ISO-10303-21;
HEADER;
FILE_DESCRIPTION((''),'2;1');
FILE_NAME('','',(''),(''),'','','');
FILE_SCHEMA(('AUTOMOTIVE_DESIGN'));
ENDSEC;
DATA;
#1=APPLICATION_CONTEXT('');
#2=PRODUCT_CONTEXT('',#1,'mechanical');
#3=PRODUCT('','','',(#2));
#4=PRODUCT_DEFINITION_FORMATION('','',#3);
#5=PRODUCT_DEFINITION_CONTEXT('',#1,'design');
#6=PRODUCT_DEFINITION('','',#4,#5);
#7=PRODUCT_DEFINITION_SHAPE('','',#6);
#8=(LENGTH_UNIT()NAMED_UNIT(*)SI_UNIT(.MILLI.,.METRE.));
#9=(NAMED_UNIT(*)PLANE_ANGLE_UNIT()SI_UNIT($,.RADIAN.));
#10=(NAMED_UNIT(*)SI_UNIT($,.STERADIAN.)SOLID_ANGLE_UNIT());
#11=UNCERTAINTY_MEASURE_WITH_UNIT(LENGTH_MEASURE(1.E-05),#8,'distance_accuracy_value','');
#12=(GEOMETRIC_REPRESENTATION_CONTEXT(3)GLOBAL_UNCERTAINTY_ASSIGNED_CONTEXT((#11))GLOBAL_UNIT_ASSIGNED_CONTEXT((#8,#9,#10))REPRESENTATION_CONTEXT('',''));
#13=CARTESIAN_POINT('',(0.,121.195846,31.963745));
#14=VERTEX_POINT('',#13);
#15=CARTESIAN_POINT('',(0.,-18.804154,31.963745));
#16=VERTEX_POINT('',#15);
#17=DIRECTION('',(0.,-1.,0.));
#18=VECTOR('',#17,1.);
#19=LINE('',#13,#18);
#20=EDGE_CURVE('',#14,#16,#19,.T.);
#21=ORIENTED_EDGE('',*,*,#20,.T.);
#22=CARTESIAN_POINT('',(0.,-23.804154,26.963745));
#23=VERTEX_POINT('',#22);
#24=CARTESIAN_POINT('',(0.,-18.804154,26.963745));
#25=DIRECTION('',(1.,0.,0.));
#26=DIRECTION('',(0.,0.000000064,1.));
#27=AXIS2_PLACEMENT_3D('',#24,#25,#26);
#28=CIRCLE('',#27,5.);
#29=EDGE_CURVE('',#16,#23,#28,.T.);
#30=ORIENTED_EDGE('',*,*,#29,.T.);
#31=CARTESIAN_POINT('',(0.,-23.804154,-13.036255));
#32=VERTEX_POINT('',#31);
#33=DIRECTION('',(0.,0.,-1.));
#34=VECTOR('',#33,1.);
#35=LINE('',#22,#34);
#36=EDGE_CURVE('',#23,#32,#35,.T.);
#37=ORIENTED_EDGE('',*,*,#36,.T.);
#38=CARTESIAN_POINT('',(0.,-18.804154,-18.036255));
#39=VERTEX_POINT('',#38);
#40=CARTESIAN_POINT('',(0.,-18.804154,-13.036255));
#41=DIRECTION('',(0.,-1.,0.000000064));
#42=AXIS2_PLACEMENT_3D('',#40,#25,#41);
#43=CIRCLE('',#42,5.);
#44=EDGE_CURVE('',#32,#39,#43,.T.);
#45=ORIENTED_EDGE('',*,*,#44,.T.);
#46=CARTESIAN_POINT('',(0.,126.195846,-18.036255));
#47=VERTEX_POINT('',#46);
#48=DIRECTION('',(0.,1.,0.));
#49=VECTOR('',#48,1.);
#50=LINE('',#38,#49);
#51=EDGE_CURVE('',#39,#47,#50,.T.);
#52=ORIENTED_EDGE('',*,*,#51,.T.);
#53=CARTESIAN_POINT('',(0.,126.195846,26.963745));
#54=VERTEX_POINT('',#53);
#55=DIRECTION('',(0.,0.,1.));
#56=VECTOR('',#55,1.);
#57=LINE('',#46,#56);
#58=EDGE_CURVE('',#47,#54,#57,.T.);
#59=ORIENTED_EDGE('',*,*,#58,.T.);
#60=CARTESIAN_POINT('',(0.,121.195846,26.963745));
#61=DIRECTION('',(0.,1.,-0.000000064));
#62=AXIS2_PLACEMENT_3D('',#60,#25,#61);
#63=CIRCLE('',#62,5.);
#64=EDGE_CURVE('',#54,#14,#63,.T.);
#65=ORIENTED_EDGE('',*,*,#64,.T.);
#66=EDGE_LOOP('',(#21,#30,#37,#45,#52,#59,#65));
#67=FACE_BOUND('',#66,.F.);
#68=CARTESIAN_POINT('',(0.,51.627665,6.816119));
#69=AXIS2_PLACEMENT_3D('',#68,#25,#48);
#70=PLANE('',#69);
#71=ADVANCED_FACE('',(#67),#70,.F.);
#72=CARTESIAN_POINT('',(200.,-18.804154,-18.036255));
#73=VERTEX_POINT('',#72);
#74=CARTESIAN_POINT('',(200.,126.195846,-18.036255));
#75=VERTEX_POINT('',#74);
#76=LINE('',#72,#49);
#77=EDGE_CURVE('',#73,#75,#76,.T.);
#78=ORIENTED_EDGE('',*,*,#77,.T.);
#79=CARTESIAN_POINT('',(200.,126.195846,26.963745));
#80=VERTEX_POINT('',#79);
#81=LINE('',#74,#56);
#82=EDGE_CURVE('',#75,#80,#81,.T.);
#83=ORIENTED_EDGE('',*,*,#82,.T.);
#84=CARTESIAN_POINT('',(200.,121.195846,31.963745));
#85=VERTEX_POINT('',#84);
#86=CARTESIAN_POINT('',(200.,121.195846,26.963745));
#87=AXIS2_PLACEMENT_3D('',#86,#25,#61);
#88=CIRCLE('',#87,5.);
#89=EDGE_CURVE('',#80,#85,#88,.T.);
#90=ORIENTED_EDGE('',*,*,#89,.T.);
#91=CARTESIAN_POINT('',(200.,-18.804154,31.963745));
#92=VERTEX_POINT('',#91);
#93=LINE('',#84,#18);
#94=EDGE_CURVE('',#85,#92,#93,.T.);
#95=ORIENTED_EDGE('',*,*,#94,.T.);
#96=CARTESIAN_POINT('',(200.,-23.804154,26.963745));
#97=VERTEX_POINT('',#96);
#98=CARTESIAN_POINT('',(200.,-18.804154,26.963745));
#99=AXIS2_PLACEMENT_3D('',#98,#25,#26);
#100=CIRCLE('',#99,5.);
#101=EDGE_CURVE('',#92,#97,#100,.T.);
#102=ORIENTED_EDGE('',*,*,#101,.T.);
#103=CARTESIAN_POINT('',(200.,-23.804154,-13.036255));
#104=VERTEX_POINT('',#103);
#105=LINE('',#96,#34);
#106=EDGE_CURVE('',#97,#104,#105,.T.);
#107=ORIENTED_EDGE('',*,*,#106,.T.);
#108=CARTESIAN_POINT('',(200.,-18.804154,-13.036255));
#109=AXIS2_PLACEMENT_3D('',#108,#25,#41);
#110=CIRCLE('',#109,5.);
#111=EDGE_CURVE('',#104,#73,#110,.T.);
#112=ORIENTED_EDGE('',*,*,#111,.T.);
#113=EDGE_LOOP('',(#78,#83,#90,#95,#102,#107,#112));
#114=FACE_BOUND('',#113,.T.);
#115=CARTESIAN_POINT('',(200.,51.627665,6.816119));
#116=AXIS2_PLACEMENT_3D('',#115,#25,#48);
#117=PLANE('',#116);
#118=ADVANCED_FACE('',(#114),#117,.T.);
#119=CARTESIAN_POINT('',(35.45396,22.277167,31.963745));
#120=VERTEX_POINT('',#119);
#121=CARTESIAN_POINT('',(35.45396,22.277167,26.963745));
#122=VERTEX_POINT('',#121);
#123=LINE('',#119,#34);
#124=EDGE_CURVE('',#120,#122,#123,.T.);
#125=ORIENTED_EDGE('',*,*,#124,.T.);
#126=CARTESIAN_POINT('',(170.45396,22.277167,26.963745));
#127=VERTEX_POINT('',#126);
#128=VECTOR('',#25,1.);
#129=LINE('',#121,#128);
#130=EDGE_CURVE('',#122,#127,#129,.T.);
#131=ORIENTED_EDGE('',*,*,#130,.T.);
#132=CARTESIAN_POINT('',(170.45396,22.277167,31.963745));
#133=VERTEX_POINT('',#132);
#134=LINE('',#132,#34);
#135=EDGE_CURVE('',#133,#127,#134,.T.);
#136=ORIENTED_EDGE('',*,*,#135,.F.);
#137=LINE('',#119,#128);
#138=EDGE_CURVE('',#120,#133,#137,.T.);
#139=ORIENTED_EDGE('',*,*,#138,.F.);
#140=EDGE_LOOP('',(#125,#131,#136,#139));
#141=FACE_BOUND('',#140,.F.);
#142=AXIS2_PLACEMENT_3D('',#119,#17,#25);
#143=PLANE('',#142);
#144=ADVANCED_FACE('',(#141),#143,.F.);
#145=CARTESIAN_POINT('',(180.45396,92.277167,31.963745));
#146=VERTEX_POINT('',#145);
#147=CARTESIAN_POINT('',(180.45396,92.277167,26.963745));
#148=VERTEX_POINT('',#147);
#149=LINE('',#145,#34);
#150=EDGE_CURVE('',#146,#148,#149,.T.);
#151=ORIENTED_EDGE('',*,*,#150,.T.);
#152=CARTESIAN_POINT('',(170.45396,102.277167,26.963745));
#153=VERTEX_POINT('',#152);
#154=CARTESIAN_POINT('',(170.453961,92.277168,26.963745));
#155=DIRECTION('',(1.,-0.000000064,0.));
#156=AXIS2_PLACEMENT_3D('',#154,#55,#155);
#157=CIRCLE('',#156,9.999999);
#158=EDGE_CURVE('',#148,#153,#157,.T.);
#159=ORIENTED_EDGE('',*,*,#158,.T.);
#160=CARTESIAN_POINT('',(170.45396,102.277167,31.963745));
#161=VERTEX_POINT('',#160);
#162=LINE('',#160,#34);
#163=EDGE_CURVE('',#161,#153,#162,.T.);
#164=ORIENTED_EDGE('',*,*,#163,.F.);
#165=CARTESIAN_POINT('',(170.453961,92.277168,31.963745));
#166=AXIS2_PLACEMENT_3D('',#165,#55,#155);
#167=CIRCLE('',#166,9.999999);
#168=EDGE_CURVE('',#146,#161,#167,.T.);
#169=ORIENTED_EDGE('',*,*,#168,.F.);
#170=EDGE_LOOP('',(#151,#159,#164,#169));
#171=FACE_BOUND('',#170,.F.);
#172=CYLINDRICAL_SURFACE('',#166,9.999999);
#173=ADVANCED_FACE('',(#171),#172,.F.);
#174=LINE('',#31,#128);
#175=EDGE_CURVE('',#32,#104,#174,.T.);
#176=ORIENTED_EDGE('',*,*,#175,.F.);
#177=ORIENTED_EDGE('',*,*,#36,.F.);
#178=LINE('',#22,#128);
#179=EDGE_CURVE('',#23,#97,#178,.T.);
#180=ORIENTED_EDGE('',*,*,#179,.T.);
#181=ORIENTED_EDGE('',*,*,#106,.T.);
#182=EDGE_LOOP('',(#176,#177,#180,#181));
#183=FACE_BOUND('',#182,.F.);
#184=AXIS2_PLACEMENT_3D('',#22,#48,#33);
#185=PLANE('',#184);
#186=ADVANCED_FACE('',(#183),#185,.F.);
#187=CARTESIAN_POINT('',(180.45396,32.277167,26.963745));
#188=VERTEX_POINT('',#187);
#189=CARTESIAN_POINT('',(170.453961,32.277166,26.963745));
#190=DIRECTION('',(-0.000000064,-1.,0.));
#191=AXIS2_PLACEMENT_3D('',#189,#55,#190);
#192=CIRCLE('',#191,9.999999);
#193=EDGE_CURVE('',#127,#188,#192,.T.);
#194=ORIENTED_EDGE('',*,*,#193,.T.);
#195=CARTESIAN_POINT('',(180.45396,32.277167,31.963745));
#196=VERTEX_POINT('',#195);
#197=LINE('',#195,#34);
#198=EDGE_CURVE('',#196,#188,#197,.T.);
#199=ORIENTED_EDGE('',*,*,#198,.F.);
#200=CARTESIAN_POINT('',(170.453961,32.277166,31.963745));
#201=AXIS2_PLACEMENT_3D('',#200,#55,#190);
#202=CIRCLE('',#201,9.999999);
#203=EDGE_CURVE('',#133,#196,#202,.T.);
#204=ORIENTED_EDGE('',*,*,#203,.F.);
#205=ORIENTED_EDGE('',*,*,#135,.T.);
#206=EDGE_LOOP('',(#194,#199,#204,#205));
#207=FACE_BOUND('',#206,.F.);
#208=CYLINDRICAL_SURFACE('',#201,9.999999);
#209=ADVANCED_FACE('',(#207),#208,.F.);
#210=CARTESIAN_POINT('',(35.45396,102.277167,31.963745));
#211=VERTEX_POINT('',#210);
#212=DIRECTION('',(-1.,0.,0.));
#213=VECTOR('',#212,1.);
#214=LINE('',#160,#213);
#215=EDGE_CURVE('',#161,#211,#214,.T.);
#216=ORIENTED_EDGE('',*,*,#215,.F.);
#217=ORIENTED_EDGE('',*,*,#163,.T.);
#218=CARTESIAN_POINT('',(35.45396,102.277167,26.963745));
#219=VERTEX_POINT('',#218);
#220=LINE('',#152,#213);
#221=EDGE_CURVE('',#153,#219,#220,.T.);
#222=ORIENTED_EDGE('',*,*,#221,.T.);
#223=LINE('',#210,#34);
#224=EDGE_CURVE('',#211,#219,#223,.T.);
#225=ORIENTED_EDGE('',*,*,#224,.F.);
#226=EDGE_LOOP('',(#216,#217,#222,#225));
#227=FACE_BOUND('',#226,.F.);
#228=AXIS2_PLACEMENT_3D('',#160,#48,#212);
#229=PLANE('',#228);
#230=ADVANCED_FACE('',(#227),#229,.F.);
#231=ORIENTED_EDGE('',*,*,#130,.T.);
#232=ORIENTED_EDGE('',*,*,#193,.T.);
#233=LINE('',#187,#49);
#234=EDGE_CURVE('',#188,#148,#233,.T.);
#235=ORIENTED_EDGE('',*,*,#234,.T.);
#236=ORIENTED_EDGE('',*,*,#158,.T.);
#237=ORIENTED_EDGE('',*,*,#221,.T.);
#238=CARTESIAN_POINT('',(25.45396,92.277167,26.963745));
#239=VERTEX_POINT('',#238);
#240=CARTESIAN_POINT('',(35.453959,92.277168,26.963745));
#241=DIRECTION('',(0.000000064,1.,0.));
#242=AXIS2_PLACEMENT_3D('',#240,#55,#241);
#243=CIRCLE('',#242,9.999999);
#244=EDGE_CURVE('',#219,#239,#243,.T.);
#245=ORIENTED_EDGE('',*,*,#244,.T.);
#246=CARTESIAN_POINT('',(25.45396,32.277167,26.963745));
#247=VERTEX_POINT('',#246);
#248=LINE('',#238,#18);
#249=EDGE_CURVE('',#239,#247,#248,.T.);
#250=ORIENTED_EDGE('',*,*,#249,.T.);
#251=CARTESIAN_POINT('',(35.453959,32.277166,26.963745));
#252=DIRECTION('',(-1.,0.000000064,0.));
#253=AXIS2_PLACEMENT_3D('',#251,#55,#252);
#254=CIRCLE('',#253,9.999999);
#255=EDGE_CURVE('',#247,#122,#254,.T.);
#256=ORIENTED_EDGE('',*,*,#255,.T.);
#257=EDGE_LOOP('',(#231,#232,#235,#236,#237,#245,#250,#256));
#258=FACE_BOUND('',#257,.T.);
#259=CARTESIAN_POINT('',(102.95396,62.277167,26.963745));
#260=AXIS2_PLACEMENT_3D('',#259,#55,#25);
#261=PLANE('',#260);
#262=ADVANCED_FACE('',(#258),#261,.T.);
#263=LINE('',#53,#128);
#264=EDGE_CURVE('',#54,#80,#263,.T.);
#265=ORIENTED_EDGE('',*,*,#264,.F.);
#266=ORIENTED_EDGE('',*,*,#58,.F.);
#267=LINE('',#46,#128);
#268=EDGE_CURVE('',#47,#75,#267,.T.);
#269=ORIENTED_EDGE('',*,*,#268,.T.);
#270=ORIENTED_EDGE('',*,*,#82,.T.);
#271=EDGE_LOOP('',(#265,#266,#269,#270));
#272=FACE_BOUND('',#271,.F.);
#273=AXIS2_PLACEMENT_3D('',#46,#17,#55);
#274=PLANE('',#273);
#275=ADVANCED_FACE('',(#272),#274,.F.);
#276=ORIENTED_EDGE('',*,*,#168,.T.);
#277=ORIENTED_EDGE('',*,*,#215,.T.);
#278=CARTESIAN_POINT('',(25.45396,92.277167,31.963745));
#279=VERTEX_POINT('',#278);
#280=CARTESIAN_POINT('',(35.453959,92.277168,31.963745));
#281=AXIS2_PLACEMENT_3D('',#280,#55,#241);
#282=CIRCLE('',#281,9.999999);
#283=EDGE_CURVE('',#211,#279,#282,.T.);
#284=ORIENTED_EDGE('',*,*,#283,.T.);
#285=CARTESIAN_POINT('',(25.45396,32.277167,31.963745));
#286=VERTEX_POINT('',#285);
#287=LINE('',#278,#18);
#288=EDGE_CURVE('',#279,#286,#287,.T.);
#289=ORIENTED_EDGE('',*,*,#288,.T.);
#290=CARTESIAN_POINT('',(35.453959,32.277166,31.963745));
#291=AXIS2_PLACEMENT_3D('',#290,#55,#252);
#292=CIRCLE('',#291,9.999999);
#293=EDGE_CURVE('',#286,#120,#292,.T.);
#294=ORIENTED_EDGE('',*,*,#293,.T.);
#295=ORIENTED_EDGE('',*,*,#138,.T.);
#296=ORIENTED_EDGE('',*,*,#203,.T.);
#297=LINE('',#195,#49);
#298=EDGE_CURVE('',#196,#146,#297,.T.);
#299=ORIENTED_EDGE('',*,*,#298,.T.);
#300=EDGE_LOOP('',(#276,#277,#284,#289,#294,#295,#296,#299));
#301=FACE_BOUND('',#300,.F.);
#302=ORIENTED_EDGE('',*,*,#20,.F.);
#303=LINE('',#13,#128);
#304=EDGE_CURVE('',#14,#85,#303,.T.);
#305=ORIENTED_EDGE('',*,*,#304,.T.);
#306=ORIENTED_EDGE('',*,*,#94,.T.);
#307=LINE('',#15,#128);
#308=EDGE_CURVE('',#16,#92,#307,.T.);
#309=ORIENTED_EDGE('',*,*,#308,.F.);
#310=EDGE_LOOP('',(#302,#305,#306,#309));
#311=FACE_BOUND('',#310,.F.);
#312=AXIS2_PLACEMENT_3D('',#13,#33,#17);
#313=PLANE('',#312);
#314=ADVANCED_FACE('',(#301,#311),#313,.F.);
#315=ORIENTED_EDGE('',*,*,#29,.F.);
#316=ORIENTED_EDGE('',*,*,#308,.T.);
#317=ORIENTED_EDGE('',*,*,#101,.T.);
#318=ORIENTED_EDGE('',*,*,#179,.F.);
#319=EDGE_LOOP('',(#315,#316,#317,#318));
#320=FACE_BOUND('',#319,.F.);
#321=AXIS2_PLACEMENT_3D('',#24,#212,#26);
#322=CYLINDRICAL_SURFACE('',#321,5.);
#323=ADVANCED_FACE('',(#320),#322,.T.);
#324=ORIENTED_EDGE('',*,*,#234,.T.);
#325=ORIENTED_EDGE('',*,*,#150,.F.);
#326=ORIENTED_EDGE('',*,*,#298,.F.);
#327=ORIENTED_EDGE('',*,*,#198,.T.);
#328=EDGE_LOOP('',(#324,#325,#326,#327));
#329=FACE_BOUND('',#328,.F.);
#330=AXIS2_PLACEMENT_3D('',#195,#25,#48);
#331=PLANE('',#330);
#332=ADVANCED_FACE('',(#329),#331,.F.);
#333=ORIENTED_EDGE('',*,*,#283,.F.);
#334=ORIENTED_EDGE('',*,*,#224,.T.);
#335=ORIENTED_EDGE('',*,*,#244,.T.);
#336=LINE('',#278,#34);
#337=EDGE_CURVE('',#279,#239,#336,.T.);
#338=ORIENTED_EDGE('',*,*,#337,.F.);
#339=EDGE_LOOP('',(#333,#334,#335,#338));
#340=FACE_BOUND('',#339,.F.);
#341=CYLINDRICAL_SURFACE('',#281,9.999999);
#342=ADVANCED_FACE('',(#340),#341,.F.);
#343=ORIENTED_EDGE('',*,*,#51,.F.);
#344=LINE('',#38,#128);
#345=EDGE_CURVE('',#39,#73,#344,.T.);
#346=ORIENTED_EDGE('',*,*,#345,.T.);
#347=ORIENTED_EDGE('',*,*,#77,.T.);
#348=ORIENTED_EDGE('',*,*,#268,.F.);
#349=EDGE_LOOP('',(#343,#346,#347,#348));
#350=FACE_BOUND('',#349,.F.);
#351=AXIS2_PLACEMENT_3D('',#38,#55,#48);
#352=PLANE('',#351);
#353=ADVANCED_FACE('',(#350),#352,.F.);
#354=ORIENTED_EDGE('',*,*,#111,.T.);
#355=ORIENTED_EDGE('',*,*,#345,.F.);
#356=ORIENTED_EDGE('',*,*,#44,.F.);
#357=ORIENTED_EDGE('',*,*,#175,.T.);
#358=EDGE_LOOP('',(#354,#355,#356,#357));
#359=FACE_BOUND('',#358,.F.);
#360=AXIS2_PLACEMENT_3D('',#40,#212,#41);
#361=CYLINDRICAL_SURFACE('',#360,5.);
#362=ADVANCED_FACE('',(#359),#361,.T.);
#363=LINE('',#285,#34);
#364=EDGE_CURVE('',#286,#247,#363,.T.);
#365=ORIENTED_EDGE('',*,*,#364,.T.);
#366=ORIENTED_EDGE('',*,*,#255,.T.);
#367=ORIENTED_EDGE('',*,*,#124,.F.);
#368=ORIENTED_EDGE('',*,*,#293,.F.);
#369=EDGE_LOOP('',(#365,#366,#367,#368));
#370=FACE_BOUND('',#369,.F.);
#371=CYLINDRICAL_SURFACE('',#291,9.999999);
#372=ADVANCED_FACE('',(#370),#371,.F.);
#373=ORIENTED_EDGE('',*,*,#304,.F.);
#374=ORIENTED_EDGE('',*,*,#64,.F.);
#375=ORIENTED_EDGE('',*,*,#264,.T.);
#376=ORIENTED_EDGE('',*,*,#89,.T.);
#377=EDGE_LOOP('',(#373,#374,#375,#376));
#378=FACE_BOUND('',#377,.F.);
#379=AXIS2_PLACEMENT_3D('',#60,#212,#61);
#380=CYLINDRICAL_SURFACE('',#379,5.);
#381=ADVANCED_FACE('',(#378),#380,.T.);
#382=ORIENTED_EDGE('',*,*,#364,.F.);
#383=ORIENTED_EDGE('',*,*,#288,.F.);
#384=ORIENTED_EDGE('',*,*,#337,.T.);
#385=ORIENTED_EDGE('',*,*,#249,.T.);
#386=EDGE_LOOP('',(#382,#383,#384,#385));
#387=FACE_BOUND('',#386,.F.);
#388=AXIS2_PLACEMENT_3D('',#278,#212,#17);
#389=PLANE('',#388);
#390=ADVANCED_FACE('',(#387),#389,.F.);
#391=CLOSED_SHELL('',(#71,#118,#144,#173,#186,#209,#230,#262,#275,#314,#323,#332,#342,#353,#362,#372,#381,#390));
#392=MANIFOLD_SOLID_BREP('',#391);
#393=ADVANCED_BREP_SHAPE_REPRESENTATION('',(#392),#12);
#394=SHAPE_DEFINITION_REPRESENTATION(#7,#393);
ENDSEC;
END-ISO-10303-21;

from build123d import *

# Parameters (mm, degrees)
F1_DEPTH = 200
F3_DEPTH = 5


with BuildPart() as f1:
    # F0 (on Right) → F1 (new body)
    with BuildSketch(Plane.YZ):
        with BuildLine():
            ThreePointArc((-23.804154, -13.036255), (-22.339688, -16.571789), (-18.804154, -18.036255))
            Line((-18.804154, -18.036255), (126.195846, -18.036255))
            Line((126.195846, -18.036255), (126.195846, 26.963745))
            ThreePointArc((126.195846, 26.963745), (124.73138, 30.499279), (121.195846, 31.963745))
            Line((121.195846, 31.963745), (-18.804154, 31.963745))
            ThreePointArc((-18.804154, 31.963745), (-22.339688, 30.499279), (-23.804154, 26.963745))
            Line((-23.804154, 26.963745), (-23.804154, -13.036255))
        make_face()
    extrude(amount=F1_DEPTH)

    # F2 (on face) → F3 (cut)
    with BuildSketch(Plane.XY.offset(31.963745)):
        with BuildLine():
            ThreePointArc((25.45396, 32.277167), (28.382892, 25.206099), (35.45396, 22.277167))
            Line((35.45396, 22.277167), (170.45396, 22.277167))
            ThreePointArc((170.45396, 22.277167), (177.525028, 25.206099), (180.45396, 32.277167))
            Line((180.45396, 32.277167), (180.45396, 92.277167))
            ThreePointArc((180.45396, 92.277167), (177.525028, 99.348235), (170.45396, 102.277167))
            Line((170.45396, 102.277167), (35.45396, 102.277167))
            ThreePointArc((35.45396, 102.277167), (28.382892, 99.348235), (25.45396, 92.277167))
            Line((25.45396, 92.277167), (25.45396, 32.277167))
        make_face()
    extrude(amount=-F3_DEPTH, mode=Mode.SUBTRACT)


solid = f1.part
